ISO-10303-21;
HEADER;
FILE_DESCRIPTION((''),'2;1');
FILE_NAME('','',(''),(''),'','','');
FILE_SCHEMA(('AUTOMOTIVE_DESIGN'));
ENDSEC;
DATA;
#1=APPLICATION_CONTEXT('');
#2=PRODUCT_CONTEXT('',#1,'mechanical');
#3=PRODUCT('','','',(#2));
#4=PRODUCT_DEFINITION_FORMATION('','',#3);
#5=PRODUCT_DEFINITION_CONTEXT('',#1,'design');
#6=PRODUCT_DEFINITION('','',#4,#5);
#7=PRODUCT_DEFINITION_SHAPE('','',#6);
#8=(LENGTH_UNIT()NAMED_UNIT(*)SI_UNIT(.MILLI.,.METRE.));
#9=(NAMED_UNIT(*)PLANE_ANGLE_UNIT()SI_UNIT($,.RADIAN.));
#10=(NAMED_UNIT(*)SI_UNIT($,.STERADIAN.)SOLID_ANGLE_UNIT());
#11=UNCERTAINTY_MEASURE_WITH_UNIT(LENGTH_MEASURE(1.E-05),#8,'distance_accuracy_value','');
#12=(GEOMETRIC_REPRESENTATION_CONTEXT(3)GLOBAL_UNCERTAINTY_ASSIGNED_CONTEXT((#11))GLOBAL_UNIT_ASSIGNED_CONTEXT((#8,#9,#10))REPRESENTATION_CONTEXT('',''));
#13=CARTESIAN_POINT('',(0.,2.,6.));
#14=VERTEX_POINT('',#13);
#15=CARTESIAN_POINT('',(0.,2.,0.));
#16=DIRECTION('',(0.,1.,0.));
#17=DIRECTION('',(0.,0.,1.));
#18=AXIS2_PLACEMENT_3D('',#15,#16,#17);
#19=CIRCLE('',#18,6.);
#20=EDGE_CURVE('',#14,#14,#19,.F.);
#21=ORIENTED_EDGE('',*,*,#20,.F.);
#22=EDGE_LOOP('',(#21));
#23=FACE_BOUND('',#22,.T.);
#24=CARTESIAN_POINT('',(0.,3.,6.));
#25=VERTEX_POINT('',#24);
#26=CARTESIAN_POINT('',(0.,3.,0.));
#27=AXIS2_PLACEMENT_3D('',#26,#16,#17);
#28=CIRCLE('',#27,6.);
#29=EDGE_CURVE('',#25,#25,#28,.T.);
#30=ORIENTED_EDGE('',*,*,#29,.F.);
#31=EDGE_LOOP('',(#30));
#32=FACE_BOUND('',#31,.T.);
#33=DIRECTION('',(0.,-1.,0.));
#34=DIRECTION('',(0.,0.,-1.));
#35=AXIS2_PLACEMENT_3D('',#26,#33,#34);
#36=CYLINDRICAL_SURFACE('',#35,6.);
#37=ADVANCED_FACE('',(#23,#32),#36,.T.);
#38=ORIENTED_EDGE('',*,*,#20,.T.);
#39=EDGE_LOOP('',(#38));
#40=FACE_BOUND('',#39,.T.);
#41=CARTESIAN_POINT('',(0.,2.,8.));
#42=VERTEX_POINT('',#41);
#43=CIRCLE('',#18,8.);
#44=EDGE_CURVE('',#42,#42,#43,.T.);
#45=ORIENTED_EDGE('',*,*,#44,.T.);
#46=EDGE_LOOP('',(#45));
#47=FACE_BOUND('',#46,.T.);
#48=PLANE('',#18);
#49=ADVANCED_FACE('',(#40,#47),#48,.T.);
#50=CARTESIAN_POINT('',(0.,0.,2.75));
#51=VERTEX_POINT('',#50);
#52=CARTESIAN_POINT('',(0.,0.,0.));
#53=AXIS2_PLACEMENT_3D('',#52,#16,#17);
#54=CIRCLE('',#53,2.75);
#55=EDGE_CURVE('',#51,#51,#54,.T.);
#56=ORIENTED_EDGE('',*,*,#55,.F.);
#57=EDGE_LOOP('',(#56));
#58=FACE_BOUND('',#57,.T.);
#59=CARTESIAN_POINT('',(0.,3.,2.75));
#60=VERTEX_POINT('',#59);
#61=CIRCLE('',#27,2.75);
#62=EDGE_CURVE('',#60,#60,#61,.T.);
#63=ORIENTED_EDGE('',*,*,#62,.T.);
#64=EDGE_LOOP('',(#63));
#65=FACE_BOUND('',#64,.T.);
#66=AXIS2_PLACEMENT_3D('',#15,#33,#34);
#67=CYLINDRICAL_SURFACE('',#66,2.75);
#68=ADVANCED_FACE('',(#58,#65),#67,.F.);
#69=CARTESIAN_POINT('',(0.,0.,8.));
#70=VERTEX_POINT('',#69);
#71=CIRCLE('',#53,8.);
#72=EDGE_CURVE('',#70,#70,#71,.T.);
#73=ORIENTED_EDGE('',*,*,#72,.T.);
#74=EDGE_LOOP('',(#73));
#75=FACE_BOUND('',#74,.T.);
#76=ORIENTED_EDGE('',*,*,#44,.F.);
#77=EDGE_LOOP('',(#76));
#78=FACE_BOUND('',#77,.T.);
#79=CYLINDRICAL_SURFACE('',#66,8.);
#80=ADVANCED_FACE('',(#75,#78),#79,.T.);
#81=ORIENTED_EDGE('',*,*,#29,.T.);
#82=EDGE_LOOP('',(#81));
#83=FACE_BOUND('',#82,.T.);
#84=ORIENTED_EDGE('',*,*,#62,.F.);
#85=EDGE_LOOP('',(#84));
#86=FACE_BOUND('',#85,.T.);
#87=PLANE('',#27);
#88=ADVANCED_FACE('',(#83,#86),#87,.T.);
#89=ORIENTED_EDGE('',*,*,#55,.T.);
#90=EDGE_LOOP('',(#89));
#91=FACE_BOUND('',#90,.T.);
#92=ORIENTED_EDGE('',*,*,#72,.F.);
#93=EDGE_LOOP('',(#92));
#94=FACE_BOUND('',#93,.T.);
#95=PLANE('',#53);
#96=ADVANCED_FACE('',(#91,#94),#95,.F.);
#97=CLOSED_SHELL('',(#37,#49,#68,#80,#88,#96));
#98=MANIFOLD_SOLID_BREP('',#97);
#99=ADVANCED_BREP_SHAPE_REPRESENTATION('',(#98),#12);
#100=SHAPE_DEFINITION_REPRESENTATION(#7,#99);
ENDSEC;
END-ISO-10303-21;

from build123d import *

# Parameters (mm, degrees)
SKETCH1_R           = 8
SKETCH1_R_2         = 2.75
BOSS_EXTRUDE1_DEPTH = 2
SKETCH3_R           = 6
SKETCH3_R_2         = 2.75
BOSS_EXTRUDE2_DEPTH = 1


with BuildPart() as part:
    # Sketch1 → Boss-Extrude1 (new body)
    with BuildSketch(Plane(origin=(0, 0, 0), x_dir=(1, 0, 0), z_dir=(0, 1, 0))):
        with Locations(Location((0, 0, 0), (0, 0, 270))):
            Circle(SKETCH1_R)
        with Locations(Location((0, 0, 0), (0, 0, 270))):
            Circle(SKETCH1_R_2, mode=Mode.SUBTRACT)
    extrude(amount=BOSS_EXTRUDE1_DEPTH)

    # Sketch3 → Boss-Extrude2 (add, symmetric)
    with BuildSketch(Plane(origin=(0, 2, 0), x_dir=(1, 0, 0), z_dir=(0, 1, 0))):
        with Locations(Location((0, 0, 0), (0, 0, 270))):
            Circle(SKETCH3_R)
        with Locations(Location((0, 0, 0), (0, 0, 270))):
            Circle(SKETCH3_R_2, mode=Mode.SUBTRACT)
    extrude(amount=BOSS_EXTRUDE2_DEPTH, both=True)


solid = part.part
